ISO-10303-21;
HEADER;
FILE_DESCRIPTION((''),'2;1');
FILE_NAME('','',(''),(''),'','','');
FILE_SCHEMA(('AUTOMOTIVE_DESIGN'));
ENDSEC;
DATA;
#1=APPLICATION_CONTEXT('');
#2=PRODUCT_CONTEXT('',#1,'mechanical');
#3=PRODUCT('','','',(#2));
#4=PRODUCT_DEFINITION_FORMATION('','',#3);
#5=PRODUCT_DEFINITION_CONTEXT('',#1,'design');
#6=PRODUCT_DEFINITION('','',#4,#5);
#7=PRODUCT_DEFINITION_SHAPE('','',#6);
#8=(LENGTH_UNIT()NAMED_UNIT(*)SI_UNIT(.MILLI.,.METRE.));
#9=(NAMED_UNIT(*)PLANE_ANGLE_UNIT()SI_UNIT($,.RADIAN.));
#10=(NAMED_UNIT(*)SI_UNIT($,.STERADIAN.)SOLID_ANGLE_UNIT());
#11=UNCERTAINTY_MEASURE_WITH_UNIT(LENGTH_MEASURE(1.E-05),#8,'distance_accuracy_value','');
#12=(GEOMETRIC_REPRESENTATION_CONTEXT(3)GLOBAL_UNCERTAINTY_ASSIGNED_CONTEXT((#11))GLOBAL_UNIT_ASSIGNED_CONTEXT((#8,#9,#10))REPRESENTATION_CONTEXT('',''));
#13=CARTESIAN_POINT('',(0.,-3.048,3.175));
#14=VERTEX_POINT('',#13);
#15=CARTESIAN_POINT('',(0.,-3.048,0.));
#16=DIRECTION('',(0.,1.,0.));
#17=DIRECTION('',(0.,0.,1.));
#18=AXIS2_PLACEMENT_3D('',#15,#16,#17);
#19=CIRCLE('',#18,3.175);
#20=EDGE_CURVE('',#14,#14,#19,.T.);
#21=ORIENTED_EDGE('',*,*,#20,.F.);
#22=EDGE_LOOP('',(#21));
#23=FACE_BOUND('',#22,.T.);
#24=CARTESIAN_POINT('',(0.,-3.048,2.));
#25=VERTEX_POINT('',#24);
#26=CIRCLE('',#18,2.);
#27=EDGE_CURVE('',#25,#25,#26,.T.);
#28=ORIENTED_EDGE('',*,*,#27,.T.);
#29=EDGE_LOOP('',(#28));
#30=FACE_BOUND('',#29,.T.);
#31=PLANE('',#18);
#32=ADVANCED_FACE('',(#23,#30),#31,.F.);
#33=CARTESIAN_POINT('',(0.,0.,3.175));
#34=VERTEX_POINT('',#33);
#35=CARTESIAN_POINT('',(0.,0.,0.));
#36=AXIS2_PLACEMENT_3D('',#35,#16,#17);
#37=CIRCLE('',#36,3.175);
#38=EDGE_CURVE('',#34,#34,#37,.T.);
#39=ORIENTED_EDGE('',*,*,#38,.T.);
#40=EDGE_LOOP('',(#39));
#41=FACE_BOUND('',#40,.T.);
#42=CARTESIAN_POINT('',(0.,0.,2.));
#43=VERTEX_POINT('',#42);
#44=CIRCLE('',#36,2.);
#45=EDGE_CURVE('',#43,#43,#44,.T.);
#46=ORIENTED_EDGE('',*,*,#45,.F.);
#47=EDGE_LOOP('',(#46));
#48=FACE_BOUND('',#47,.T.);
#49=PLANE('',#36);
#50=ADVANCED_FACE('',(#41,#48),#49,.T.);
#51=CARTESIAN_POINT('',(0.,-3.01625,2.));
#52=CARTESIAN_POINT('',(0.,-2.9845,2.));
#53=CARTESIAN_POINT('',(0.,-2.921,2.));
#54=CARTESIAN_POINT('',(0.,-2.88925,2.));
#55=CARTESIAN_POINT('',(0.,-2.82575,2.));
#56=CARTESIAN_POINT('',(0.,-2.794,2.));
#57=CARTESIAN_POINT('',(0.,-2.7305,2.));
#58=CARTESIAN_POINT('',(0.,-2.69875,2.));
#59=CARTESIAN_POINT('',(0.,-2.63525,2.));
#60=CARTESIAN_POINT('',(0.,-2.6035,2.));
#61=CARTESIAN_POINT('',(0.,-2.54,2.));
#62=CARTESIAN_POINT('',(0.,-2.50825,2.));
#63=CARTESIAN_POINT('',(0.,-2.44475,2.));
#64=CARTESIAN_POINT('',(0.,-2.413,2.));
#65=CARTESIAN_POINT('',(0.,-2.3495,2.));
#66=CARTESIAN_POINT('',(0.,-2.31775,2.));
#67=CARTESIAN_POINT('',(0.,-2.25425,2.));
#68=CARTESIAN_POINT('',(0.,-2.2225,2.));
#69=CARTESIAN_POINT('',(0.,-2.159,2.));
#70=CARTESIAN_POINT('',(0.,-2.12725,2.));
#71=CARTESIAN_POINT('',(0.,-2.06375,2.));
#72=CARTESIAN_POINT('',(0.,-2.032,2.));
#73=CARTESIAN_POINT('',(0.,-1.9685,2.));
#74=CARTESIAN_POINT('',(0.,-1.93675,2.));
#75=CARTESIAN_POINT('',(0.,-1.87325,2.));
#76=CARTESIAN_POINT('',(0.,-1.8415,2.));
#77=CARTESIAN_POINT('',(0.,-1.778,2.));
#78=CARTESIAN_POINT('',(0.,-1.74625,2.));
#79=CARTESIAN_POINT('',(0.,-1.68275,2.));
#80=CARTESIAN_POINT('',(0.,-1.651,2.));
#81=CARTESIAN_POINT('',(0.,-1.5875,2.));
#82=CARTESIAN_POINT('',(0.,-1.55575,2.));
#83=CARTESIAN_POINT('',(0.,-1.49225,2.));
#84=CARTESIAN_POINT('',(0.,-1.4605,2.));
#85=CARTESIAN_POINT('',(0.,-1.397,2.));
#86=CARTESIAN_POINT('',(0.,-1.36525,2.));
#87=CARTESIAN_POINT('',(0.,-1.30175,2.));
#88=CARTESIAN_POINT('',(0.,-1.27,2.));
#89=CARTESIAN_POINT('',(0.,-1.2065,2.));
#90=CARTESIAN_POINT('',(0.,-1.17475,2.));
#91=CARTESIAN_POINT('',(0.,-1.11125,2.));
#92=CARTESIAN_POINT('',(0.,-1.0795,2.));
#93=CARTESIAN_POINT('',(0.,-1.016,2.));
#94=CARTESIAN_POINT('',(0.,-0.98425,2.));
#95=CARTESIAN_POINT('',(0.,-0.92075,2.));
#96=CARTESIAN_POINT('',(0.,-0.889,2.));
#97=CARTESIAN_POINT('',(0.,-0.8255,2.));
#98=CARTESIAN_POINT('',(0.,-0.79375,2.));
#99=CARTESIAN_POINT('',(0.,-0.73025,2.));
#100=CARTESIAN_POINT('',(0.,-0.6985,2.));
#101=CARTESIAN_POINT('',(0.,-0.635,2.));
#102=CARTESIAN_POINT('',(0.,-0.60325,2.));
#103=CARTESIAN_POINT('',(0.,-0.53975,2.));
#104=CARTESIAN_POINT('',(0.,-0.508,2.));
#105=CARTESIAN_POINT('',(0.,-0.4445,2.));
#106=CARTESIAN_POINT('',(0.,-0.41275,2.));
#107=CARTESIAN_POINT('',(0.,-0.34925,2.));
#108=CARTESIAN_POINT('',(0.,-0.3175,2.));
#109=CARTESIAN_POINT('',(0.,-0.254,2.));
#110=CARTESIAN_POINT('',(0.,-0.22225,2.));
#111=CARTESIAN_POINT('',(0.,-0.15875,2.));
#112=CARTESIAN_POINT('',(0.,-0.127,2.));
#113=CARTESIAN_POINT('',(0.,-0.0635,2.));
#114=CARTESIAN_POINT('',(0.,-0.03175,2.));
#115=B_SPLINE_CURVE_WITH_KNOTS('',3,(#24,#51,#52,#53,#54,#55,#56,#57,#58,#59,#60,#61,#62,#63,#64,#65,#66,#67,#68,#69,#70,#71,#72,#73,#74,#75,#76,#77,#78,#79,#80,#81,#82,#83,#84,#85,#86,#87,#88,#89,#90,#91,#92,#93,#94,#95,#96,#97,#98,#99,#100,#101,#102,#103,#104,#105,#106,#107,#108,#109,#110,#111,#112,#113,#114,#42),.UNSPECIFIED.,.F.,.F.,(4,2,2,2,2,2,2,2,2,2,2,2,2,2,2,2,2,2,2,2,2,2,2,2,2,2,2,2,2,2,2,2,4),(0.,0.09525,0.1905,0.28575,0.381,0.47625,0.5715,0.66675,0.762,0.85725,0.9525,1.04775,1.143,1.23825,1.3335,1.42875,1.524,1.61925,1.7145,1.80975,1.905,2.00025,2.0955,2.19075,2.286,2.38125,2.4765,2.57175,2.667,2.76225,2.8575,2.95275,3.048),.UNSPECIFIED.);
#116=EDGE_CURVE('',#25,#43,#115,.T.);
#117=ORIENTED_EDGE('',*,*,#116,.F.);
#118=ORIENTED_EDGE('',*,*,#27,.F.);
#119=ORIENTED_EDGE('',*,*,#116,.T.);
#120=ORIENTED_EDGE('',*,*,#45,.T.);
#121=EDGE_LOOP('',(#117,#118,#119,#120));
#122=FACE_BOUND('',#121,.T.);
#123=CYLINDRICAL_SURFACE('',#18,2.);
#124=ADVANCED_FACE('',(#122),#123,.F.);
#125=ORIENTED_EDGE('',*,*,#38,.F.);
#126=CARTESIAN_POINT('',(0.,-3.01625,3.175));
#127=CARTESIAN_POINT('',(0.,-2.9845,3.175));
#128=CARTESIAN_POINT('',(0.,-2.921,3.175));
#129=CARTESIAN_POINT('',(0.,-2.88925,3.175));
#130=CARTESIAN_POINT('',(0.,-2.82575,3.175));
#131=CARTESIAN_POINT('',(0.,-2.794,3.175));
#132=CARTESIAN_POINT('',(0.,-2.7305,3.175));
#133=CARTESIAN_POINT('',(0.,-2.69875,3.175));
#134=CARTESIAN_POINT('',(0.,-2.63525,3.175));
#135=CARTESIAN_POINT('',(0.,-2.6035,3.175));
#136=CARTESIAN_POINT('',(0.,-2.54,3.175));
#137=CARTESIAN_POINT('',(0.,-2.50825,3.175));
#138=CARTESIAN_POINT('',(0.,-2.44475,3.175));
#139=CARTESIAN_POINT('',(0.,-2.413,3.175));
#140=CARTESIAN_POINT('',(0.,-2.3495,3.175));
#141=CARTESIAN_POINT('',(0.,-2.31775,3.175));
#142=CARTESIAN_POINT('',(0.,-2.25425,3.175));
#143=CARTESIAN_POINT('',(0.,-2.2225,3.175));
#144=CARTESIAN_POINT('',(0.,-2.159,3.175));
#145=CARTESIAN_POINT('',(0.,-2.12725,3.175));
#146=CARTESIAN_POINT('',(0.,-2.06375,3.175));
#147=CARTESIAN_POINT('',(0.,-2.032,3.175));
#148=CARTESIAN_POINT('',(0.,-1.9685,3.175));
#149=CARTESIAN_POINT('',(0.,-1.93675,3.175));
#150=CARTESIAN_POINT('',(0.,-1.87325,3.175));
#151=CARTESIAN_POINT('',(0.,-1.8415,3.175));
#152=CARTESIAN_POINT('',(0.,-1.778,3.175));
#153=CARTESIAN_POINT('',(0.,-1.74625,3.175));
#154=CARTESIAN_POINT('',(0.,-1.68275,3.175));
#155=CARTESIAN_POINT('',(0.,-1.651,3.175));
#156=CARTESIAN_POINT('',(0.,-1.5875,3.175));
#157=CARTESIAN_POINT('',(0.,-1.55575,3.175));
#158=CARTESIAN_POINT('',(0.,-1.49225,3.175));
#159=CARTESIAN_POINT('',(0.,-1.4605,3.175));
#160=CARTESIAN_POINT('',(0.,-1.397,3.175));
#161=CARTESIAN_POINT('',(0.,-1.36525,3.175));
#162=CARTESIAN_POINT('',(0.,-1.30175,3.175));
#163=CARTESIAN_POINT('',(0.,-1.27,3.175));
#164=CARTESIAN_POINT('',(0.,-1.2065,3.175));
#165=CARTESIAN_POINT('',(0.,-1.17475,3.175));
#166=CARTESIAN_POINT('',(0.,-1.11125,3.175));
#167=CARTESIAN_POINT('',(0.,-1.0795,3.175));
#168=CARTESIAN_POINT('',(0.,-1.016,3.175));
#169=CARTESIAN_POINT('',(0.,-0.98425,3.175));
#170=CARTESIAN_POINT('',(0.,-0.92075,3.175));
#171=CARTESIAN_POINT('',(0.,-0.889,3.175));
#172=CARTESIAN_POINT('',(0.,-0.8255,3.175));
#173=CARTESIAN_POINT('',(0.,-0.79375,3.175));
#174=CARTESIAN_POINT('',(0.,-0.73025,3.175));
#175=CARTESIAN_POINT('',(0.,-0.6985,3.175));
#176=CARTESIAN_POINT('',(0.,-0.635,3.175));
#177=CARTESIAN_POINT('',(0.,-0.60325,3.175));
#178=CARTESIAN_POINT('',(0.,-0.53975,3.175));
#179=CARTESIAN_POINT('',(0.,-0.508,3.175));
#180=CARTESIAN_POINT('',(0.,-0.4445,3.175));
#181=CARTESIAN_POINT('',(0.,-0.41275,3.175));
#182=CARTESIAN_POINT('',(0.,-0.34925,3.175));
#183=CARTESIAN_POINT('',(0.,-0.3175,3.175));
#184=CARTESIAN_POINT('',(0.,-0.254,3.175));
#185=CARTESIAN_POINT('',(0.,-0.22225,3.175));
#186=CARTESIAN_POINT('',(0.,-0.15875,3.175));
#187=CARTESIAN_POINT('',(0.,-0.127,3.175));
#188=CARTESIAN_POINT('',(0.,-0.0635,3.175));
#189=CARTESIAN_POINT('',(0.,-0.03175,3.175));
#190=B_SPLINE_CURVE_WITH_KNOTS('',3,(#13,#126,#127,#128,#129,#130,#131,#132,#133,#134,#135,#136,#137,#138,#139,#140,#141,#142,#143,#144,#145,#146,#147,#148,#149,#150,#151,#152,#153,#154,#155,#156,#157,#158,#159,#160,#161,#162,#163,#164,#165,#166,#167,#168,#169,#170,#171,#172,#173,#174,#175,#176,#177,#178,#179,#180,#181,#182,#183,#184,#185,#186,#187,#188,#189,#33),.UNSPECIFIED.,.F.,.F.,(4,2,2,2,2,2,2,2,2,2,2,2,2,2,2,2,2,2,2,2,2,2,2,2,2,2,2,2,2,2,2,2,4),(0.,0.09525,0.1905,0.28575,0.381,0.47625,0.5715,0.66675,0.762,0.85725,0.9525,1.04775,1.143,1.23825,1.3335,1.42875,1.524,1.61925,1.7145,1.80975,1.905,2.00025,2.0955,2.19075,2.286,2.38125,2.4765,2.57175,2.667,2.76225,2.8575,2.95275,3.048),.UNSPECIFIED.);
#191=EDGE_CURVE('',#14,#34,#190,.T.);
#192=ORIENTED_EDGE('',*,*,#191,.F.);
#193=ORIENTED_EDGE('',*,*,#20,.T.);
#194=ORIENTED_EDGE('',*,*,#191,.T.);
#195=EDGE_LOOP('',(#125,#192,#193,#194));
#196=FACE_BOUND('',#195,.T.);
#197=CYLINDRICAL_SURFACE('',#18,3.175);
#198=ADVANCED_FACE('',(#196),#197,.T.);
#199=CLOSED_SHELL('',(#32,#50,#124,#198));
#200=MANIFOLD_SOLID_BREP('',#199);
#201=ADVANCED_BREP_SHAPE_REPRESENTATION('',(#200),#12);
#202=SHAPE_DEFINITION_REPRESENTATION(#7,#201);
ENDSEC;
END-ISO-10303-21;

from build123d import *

# Parameters (mm, degrees)
SKETCH2_R           = 3.175
SKETCH2_R_2         = 2
BOSS_EXTRUDE1_DEPTH = 3.048


with BuildPart() as part:
    # Sketch2 → Boss-Extrude1 (new body)
    with BuildSketch(Plane(origin=(0, 0, 0), x_dir=(1, 0, 0), z_dir=(0, 1, 0))):
        with Locations(Location((0, 0, 0), (0, 0, 270))):
            Circle(SKETCH2_R)
        with Locations(Location((0, 0, 0), (0, 0, 270))):
            Circle(SKETCH2_R_2, mode=Mode.SUBTRACT)
    extrude(amount=-BOSS_EXTRUDE1_DEPTH)


solid = part.part
